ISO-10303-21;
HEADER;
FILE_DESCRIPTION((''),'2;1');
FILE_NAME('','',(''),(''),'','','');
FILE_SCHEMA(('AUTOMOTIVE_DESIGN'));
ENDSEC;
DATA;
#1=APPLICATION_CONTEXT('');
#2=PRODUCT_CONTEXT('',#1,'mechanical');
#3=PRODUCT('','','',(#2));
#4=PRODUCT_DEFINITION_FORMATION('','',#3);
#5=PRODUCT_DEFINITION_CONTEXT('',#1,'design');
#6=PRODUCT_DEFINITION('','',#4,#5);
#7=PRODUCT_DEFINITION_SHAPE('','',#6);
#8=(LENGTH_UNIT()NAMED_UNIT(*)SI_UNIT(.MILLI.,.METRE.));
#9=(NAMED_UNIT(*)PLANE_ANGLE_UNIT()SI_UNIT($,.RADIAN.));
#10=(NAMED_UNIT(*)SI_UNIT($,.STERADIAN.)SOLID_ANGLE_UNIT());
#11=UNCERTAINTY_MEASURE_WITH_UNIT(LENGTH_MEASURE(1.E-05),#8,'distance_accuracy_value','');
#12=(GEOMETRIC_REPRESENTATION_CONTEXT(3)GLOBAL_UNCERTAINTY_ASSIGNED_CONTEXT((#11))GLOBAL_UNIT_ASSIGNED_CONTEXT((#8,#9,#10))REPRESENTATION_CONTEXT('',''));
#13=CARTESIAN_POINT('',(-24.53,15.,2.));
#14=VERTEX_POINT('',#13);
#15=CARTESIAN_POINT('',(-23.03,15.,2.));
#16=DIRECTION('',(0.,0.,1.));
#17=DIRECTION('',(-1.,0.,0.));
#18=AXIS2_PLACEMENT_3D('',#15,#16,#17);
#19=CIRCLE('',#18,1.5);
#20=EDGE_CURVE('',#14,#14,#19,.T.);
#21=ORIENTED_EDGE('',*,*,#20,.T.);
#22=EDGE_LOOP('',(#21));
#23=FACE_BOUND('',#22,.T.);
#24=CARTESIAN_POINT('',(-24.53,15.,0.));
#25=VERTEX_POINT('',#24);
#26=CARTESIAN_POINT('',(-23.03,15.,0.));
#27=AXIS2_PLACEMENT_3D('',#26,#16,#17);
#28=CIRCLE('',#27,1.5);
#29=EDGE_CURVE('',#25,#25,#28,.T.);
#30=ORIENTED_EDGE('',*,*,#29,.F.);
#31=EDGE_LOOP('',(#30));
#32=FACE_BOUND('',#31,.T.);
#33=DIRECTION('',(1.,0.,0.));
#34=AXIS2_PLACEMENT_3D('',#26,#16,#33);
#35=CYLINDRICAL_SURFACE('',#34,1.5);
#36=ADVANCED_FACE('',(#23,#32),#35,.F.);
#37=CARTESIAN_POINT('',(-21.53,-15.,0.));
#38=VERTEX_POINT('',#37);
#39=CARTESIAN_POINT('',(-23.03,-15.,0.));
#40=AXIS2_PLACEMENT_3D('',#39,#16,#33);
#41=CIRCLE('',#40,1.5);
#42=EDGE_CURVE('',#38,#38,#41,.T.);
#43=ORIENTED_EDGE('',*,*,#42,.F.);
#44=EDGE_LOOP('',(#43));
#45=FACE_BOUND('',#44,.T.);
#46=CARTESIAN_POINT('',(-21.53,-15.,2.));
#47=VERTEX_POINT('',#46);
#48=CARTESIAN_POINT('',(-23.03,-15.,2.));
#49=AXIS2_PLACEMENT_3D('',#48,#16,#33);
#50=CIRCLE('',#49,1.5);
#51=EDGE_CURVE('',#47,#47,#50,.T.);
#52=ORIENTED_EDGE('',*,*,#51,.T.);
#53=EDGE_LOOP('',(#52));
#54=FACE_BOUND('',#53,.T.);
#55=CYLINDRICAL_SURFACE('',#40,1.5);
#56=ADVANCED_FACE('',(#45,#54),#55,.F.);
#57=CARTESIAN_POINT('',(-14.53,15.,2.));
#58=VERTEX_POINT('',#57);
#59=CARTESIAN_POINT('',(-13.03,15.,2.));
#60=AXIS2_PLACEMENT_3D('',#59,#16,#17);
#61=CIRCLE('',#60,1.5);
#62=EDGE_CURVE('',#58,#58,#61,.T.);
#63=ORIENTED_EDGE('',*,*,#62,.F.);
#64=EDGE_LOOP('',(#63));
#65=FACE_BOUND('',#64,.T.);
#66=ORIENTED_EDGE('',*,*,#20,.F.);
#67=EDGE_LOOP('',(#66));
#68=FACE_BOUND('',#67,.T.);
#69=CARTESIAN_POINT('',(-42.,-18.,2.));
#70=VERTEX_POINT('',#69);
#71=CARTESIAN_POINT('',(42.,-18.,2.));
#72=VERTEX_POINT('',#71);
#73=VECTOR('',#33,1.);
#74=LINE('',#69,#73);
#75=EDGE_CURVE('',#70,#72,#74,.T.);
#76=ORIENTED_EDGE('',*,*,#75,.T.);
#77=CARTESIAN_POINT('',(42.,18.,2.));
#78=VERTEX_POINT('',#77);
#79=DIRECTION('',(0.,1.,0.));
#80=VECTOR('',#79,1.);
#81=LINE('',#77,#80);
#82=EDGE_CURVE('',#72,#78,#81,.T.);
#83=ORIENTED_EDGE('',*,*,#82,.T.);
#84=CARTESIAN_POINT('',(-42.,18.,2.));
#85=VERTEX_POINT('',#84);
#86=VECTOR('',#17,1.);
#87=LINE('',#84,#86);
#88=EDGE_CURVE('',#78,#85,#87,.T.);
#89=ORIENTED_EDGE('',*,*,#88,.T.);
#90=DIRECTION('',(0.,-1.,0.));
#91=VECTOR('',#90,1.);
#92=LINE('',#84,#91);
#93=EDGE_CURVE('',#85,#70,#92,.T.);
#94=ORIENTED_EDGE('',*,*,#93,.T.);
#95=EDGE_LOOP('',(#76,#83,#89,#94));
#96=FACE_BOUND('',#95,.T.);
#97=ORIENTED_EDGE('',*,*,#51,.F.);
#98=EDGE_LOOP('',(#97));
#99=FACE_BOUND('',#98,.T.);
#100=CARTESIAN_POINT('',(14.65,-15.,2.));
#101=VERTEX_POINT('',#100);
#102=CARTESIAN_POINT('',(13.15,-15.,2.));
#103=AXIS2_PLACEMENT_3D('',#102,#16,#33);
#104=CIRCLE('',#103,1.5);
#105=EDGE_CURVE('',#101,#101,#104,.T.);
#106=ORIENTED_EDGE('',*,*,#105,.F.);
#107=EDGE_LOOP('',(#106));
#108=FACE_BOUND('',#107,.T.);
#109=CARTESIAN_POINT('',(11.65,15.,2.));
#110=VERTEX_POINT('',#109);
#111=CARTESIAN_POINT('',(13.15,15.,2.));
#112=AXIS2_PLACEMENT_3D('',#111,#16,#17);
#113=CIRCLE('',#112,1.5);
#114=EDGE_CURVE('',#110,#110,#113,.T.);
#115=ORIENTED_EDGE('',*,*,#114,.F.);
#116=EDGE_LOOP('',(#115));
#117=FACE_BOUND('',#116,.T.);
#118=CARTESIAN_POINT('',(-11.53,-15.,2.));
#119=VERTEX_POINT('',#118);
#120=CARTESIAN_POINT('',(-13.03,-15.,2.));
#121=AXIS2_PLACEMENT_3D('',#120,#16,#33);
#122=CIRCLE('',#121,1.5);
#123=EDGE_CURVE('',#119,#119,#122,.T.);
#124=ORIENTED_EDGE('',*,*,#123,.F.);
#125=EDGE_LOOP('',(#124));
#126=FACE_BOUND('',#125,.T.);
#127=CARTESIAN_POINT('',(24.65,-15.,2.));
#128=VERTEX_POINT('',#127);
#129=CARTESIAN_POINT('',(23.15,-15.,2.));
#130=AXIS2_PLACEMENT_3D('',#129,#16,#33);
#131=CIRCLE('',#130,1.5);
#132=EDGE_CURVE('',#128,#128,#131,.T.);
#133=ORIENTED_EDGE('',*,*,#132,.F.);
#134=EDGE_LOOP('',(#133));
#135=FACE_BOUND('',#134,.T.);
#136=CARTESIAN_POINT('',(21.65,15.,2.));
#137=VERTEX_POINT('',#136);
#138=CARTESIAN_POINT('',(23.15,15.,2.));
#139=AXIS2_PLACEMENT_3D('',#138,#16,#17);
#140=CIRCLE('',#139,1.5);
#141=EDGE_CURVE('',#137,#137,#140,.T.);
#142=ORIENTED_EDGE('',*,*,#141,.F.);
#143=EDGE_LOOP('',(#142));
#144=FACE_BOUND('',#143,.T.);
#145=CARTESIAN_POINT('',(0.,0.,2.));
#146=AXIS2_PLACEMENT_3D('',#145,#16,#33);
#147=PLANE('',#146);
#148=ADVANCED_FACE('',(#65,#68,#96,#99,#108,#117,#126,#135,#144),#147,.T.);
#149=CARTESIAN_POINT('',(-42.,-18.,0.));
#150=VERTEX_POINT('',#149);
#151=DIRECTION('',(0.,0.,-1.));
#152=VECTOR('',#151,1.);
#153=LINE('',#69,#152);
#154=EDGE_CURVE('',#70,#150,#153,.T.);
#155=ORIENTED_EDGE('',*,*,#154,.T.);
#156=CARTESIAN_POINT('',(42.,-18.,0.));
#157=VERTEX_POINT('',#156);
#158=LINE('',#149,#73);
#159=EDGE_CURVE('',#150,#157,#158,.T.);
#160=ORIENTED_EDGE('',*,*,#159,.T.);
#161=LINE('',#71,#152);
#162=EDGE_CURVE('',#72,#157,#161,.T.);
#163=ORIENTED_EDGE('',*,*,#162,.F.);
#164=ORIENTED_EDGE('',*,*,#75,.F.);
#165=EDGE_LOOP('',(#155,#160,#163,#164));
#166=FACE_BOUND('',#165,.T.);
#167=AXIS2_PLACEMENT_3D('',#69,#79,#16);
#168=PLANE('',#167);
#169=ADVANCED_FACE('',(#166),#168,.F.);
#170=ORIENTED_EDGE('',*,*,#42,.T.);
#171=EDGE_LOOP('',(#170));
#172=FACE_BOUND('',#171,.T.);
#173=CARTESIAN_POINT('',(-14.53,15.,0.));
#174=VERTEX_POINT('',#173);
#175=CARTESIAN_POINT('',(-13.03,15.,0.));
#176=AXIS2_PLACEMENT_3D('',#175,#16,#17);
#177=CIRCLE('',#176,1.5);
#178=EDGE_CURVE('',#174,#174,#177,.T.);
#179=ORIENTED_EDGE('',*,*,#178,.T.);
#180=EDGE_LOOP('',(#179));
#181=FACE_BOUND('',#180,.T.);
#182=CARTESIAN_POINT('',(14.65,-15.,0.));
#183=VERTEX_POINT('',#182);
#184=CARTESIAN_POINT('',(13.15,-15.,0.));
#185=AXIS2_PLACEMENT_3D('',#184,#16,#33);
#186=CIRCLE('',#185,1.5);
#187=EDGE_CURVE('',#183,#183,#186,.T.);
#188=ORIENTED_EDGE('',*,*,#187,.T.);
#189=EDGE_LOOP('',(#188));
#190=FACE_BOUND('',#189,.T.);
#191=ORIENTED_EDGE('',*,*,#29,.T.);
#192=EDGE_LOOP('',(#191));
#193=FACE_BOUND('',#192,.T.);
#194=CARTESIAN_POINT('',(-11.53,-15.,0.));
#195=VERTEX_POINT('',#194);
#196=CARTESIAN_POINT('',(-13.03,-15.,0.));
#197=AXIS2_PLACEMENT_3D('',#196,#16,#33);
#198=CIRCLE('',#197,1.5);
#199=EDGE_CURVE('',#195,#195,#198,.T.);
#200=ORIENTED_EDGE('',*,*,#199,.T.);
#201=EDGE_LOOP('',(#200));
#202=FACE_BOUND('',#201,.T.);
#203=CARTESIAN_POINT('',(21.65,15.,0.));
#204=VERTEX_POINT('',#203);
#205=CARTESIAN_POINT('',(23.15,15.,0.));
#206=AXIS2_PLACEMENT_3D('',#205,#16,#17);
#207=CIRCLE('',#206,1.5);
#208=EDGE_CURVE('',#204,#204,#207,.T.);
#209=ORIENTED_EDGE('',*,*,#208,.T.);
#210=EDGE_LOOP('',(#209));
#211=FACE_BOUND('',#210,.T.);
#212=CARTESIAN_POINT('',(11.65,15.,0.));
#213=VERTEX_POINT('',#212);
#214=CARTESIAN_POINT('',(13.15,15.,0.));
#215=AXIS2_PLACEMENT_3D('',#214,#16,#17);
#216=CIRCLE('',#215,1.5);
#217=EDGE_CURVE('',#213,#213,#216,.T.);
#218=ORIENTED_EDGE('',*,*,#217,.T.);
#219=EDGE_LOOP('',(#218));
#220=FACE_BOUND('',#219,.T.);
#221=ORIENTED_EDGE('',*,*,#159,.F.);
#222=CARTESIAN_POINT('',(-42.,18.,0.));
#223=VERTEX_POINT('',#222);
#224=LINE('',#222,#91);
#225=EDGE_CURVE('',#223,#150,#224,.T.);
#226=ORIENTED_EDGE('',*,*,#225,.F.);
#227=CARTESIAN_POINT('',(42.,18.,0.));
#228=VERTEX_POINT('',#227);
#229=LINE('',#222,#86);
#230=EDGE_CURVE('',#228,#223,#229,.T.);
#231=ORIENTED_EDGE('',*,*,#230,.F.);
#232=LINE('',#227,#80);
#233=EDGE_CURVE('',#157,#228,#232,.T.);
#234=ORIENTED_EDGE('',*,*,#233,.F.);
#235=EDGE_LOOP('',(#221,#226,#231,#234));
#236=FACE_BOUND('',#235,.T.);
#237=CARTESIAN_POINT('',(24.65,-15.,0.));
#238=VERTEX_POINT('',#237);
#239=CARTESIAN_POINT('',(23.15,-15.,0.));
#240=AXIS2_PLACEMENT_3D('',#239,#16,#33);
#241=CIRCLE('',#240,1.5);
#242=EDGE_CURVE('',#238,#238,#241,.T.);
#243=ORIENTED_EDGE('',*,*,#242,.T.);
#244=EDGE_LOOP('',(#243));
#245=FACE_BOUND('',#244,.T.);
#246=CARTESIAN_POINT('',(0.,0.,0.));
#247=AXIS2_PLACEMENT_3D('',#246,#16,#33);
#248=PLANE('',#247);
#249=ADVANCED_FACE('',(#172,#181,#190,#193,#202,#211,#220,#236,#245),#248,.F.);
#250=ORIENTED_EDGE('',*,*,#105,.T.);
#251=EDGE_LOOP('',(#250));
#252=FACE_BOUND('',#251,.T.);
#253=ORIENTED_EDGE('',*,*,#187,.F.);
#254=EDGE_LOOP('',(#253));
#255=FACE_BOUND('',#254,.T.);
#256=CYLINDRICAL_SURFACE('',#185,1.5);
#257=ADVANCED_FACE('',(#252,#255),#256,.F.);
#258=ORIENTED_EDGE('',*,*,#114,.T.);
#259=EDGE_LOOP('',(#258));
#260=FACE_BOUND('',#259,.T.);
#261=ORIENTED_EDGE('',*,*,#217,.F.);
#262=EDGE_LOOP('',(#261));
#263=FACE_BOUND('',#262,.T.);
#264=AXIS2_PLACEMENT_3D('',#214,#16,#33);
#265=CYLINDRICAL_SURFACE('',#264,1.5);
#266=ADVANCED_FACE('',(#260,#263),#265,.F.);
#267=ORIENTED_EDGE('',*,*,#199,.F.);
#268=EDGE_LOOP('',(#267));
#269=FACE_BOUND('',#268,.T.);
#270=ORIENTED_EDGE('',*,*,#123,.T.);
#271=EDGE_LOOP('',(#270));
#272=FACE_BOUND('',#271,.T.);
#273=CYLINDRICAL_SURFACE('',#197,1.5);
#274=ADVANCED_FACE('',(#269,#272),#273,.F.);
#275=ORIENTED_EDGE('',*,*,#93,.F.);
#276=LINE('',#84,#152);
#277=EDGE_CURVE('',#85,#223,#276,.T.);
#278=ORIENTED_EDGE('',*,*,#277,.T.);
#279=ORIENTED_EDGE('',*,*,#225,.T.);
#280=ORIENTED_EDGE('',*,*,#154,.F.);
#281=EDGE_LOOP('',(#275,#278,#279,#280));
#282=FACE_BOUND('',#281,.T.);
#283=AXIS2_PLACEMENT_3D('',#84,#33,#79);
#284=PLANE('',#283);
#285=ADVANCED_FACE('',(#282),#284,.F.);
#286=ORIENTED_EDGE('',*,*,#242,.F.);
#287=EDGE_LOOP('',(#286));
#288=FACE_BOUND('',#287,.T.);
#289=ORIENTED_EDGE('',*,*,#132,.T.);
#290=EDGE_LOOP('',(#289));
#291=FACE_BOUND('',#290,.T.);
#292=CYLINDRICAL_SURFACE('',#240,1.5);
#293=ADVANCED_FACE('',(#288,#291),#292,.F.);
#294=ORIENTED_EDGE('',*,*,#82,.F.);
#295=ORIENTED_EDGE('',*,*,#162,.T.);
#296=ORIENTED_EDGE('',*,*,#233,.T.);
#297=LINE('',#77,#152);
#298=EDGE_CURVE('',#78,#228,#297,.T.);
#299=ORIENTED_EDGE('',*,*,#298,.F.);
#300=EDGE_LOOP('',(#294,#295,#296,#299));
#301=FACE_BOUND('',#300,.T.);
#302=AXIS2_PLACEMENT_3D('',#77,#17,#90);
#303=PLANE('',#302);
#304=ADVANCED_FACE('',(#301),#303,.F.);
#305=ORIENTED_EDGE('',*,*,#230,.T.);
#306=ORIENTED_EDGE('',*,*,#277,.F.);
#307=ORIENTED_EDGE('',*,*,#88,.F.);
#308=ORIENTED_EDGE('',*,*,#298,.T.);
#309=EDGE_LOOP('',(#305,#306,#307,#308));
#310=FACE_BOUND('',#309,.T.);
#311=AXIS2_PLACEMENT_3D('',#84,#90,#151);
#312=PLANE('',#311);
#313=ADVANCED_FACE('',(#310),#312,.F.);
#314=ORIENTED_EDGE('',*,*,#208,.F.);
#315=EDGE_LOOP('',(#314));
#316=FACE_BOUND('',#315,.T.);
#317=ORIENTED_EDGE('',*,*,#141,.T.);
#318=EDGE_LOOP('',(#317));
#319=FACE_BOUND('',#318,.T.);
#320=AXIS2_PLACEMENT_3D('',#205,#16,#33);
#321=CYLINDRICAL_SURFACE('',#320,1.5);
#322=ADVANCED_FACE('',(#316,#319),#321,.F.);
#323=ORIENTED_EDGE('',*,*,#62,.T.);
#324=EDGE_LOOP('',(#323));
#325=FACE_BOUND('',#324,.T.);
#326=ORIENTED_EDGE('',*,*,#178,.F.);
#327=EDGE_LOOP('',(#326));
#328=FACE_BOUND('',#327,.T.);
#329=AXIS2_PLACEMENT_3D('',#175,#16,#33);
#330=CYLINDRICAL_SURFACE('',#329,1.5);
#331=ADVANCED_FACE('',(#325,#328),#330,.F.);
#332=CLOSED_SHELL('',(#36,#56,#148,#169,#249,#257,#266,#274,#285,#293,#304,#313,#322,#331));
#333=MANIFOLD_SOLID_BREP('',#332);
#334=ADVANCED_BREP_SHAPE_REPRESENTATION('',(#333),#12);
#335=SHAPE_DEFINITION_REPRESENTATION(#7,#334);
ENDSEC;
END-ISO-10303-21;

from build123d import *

# Parameters (mm, degrees)
SKETCH_1_W          = 84
SKETCH_1_H          = 36
EXTRUDE_1_DEPTH     = 2
SKETCH_2_R          = 1.5
CUT_EXTRUDE_1_DEPTH = 2


with BuildPart() as part:
    # 草图1 → 凸台-拉伸1 (new body)
    with BuildSketch(Plane.XY):
        Rectangle(SKETCH_1_W, SKETCH_1_H)
    extrude(amount=EXTRUDE_1_DEPTH)

    # 草图2 → 切除-拉伸1 (cut)
    with BuildSketch(Plane.XY.offset(2)):
        with Locations((23.15, -15)):
            Circle(SKETCH_2_R)
        with Locations((13.15, -15)):
            Circle(SKETCH_2_R)
        with Locations((-13.03, -15)):
            Circle(SKETCH_2_R)
        with Locations((-23.03, -15)):
            Circle(SKETCH_2_R)
        with Locations(Location((-23.03, 15, 0), (0, 0, 180))):
            Circle(SKETCH_2_R)
        with Locations(Location((-13.03, 15, 0), (0, 0, 180))):
            Circle(SKETCH_2_R)
        with Locations(Location((13.15, 15, 0), (0, 0, 180))):
            Circle(SKETCH_2_R)
        with Locations(Location((23.15, 15, 0), (0, 0, 180))):
            Circle(SKETCH_2_R)
    extrude(amount=-CUT_EXTRUDE_1_DEPTH, mode=Mode.SUBTRACT)


solid = part.part
